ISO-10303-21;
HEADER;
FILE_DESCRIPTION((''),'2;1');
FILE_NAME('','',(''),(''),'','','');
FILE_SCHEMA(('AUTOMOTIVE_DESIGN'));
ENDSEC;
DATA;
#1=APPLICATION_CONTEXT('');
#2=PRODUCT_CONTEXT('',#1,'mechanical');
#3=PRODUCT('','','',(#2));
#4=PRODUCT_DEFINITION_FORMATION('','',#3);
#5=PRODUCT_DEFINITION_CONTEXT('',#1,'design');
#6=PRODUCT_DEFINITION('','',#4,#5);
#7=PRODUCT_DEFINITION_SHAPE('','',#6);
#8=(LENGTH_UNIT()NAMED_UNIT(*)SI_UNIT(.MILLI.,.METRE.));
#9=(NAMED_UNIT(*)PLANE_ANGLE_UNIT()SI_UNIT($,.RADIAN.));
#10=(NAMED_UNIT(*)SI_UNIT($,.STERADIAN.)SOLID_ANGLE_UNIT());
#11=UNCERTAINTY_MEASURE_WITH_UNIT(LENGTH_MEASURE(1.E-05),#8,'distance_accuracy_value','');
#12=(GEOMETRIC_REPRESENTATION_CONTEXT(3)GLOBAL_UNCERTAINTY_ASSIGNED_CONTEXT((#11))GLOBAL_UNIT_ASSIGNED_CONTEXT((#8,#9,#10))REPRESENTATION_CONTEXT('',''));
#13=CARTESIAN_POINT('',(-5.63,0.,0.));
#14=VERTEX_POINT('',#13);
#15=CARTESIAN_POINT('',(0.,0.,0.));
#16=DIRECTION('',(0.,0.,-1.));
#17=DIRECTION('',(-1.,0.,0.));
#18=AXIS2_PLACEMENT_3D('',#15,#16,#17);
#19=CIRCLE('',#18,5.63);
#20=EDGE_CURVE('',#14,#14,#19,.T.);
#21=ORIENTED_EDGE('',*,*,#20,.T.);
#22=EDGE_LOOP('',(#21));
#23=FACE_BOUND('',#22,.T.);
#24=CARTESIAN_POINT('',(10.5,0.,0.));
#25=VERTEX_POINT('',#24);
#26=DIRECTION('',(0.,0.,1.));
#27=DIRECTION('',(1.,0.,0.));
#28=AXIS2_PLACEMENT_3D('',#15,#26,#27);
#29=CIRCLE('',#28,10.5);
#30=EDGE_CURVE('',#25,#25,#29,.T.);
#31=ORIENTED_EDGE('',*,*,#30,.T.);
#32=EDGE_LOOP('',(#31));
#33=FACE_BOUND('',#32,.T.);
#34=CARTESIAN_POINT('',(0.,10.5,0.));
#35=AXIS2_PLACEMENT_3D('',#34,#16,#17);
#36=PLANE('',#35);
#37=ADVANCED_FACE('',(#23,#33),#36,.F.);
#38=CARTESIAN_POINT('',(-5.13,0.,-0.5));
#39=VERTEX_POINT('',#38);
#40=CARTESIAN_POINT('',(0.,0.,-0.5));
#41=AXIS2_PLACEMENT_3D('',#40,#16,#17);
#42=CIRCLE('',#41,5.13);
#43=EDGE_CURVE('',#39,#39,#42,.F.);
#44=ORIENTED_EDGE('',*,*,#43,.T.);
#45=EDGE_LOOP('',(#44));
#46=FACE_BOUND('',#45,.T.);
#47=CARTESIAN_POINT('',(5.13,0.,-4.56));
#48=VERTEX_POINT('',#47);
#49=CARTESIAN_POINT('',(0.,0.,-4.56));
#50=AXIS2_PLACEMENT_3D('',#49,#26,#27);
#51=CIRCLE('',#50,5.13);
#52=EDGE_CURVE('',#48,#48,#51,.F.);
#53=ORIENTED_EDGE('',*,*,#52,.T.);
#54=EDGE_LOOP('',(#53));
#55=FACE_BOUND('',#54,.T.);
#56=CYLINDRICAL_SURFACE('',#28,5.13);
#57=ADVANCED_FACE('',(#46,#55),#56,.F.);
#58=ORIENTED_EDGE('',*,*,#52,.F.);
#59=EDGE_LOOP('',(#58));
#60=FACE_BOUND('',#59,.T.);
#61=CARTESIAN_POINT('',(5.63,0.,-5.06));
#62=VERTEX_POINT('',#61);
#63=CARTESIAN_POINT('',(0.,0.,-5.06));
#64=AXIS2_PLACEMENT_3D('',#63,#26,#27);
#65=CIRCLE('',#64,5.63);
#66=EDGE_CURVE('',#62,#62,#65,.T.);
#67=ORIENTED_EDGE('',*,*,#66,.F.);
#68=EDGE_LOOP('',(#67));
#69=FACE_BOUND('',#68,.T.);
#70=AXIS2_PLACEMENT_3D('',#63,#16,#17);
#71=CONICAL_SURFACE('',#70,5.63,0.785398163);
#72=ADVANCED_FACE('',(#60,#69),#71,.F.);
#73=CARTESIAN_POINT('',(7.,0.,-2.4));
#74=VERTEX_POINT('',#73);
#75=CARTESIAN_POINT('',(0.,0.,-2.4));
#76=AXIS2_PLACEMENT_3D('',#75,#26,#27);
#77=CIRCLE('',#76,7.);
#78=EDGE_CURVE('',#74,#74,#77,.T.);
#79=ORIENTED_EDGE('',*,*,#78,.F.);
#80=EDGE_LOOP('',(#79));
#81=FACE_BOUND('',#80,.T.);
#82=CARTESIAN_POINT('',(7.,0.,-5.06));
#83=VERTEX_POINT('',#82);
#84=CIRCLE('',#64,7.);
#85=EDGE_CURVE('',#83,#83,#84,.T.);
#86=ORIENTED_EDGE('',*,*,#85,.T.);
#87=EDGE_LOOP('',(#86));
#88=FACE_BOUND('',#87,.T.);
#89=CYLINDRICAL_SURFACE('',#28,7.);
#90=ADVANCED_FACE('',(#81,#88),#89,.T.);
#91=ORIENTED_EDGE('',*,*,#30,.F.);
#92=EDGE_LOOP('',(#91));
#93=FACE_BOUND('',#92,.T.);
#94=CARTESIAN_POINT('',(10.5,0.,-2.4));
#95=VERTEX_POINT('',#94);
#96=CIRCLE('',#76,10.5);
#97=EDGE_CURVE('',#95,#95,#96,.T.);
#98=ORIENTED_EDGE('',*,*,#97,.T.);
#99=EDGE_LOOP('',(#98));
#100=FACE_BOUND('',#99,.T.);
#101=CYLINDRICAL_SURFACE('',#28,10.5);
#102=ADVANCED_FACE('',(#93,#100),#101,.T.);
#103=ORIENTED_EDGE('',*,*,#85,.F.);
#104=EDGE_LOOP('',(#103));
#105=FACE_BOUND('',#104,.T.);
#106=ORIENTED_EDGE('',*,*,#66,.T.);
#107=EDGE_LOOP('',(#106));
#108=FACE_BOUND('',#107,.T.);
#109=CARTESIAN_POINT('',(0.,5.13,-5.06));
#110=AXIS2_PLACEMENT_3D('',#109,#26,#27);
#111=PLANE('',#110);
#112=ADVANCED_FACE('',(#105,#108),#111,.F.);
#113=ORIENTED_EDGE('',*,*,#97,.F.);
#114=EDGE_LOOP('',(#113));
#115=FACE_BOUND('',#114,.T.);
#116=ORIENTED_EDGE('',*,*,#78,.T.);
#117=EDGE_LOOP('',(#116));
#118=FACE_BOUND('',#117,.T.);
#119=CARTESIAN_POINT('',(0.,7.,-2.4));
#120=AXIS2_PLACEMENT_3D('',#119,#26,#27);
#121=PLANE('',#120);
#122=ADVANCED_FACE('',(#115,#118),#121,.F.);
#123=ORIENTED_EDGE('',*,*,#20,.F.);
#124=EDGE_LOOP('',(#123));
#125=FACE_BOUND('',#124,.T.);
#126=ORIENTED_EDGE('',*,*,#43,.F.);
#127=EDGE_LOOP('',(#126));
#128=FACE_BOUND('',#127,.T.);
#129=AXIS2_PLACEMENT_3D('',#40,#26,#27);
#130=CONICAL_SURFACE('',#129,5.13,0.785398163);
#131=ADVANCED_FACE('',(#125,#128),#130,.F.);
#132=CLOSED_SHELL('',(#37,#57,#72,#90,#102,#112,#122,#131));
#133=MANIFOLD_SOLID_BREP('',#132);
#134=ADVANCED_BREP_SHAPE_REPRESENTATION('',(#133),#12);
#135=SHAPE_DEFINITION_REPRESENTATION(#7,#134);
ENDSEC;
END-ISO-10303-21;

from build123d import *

# Parameters (mm, degrees)
CHANFREIN1_SIZE = 0.5
CHANFREIN2_SIZE = 0.5


with BuildPart() as part:
    # Esquisse1 → Révolution1 (revolve)
    with BuildSketch(Plane(origin=(0, 0, 0), x_dir=(0, 0, -1), z_dir=(1, 0, 0)), mode=Mode.PRIVATE) as r_volution1_sk:
        Polygon((0, 10.5), (0, 5.13), (5.06, 5.13), (5.06, 7), (2.4, 7), (2.4, 10.5), align=None)
    revolve(r_volution1_sk.sketch.rotate(Axis((0, 0, 0), (0, 0, -1)), 90), axis=Axis((0, 0, 0), (0, 0, -1)))  # turned: the seam where the file's is

    # Chanfrein1
    chanfrein1_edges = [part.edges().sort_by_distance(p)[0] for p in [
        (-5.13, 0, 0),
    ]]
    chamfer(chanfrein1_edges, length=CHANFREIN1_SIZE)

    # Chanfrein2
    chanfrein2_edges = [part.edges().sort_by_distance(p)[0] for p in [
        (-5.13, 0, -5.06),
    ]]
    chamfer(chanfrein2_edges, length=CHANFREIN2_SIZE)


solid = part.part
